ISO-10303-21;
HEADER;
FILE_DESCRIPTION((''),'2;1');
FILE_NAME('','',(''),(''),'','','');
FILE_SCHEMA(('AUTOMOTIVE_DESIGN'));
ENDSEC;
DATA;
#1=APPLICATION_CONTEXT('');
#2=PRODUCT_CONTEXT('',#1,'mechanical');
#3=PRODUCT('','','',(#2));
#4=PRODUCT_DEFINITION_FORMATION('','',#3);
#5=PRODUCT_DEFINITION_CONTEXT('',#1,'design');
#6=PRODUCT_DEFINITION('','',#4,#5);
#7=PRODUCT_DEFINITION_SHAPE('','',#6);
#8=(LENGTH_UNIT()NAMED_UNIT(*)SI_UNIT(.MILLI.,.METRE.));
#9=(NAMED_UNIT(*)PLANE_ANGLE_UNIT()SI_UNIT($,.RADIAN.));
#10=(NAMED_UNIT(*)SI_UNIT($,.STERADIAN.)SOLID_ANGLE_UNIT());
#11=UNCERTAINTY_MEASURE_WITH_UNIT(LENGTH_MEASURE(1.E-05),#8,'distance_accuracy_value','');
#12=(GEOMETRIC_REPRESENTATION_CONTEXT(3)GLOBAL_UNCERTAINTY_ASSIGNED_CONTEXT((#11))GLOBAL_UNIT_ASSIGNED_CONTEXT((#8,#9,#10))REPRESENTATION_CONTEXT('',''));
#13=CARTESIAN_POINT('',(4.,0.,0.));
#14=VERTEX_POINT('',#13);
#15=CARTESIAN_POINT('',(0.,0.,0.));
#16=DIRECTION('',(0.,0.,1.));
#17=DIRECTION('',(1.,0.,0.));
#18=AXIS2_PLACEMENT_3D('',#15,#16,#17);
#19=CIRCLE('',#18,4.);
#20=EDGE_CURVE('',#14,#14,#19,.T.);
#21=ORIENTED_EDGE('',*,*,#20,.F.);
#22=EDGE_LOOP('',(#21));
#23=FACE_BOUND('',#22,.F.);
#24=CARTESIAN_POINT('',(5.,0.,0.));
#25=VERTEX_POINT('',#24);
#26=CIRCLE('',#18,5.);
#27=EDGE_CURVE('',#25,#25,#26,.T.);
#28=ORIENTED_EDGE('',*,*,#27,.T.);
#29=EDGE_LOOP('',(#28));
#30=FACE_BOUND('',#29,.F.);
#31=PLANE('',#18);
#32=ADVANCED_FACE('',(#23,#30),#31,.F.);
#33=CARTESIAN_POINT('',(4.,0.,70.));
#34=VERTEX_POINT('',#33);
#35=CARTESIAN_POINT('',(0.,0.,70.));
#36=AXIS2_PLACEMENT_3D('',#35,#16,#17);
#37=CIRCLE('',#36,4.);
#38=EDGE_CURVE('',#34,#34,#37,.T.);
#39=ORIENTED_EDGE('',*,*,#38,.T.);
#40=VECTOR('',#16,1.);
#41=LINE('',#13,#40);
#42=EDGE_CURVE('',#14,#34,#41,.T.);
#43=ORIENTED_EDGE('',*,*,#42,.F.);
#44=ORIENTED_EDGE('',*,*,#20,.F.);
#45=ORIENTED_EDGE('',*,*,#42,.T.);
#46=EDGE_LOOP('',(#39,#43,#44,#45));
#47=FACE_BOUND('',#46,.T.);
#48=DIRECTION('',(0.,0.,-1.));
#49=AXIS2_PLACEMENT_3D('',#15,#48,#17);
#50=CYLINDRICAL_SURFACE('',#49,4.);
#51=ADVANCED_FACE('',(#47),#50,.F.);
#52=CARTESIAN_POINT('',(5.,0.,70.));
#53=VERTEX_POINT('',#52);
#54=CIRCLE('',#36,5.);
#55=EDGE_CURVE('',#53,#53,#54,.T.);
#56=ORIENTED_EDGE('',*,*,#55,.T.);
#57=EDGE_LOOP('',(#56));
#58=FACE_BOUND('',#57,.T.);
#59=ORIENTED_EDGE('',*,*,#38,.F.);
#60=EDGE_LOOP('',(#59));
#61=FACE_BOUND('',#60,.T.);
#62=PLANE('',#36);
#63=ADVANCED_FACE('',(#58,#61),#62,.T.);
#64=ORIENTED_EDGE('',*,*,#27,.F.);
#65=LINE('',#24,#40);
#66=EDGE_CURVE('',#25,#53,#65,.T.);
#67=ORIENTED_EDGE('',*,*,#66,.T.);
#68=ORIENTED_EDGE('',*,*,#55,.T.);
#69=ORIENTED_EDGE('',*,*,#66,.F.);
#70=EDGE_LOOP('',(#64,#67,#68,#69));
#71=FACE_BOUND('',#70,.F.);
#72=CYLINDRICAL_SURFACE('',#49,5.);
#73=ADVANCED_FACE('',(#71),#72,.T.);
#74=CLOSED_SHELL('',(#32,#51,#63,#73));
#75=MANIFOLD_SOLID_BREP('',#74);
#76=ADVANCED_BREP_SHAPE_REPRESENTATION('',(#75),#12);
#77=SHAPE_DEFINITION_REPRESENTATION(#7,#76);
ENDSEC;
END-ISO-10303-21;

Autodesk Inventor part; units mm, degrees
ref_plane "YZ Plane" through (0, 0, 0) normal (1, 0, 0) x (0, 1, 0)
ref_plane "XZ Plane" through (0, 0, 0) normal (0, 1, 0) x (-1, 0, 0)
ref_plane "XY Plane" through (0, 0, 0) normal (0, 0, 1) x (1, 0, 0)
sketch "Sketch1" plane through (0, 0, 0) normal (0, 0, 1) x (1, 0, 0)
  circle A0 centre (0, 0) radius 5
  circle A1 centre (0, 0) radius 4
  dimension "d0" = 10
  dimension "d1" = 8
extrude "Extrusion1" add sketch "Sketch1" along normal blind 70
properties part number "Carbon_Fiber_Tube_70mm" material "CFRP"
